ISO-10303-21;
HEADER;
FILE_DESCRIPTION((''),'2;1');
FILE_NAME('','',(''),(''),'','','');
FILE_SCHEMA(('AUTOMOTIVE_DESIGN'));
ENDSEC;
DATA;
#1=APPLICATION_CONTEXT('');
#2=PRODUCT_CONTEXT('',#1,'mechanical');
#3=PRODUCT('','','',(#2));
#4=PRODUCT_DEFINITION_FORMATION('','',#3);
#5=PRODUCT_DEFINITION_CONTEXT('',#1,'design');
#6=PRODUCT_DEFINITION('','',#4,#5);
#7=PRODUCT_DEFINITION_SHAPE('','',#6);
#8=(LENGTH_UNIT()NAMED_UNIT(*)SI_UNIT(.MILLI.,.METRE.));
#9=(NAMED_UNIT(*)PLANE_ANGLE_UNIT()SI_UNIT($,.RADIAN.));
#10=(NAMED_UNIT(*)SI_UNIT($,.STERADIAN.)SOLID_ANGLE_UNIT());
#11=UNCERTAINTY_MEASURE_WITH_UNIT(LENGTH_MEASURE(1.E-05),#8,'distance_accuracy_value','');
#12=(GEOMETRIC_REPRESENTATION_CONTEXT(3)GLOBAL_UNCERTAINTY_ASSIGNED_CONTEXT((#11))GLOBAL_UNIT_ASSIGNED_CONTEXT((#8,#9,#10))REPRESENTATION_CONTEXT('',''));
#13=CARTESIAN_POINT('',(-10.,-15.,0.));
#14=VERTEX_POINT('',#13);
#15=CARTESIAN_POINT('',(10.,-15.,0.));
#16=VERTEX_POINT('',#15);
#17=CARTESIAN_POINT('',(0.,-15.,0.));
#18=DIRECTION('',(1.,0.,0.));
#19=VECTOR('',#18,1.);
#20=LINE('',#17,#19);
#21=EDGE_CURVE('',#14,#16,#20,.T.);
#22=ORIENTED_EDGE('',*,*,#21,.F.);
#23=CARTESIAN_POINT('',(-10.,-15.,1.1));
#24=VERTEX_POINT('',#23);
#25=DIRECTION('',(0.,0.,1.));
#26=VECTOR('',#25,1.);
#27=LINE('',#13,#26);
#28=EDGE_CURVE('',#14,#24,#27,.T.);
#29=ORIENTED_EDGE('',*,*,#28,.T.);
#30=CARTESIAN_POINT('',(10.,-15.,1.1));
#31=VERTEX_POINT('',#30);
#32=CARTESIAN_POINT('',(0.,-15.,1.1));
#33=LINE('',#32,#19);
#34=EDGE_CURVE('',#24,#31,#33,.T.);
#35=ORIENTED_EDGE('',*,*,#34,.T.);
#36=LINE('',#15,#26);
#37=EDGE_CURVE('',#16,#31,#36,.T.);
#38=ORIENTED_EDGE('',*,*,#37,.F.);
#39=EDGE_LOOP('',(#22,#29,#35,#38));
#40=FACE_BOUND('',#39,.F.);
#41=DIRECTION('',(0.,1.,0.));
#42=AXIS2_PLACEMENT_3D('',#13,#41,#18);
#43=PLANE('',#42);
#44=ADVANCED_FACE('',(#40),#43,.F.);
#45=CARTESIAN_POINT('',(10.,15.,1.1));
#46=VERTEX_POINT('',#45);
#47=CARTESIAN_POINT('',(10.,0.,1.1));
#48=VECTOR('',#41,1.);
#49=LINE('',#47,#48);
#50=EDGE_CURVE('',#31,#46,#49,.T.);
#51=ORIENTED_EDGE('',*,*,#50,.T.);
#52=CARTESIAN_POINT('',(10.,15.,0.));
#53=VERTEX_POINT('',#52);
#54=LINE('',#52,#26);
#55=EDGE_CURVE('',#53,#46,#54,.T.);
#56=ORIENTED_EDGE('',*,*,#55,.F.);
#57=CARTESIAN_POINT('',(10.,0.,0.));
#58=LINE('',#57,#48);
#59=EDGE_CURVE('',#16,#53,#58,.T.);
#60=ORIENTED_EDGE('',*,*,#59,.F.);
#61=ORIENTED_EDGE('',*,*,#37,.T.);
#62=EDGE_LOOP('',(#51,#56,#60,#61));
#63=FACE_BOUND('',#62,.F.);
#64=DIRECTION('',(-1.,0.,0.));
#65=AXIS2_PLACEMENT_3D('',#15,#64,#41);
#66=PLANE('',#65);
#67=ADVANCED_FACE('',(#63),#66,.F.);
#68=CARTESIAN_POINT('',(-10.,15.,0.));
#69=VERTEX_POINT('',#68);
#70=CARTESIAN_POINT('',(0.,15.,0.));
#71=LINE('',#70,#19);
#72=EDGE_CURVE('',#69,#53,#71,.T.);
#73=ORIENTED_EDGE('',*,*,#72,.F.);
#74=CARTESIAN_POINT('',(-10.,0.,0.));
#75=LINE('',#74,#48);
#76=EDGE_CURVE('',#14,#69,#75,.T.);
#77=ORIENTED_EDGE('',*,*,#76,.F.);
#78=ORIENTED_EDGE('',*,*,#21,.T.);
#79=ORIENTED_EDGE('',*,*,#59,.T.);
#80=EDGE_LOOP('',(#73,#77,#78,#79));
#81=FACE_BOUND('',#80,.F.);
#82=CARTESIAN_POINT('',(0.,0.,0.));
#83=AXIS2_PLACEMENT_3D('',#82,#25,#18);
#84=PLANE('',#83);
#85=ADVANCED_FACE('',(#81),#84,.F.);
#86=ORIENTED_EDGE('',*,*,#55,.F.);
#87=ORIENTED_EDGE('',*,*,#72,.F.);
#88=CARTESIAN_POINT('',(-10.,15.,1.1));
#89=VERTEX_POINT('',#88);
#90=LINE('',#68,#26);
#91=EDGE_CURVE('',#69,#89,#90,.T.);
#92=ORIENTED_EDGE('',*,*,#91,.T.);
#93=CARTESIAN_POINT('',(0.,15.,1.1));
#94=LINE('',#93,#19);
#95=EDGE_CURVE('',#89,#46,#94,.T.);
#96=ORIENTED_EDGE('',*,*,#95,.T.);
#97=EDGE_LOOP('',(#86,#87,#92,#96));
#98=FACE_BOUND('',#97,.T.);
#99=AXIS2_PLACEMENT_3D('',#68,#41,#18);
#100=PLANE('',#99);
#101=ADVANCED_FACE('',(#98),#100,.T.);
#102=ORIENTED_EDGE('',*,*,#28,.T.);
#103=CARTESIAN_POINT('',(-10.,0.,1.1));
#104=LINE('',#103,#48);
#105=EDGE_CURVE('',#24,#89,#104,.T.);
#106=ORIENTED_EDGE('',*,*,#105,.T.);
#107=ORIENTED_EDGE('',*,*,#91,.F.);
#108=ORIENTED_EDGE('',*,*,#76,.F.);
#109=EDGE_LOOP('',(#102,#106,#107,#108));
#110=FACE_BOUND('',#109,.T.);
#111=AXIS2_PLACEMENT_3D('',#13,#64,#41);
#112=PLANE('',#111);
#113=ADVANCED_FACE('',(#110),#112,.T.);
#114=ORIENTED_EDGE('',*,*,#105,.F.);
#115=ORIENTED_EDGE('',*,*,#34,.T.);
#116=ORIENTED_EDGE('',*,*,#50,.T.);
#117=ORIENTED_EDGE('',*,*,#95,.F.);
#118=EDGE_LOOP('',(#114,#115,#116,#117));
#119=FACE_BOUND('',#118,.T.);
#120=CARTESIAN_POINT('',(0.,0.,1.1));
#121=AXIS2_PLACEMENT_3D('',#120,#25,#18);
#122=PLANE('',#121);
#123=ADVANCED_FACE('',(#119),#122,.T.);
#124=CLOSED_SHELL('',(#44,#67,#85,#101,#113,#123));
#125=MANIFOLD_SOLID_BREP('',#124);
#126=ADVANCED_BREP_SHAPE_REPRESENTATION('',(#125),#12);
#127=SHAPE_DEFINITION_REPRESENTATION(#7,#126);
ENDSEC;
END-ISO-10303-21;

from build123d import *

# Parameters (mm, degrees)
SKETCH_1_W      = 20
SKETCH_1_H      = 30
EXTRUDE_1_DEPTH = 1.1


with BuildPart() as part:
    # 草图1 → 凸台-拉伸1 (new body)
    with BuildSketch(Plane.XY):
        Rectangle(SKETCH_1_W, SKETCH_1_H)
    extrude(amount=EXTRUDE_1_DEPTH)


solid = part.part
